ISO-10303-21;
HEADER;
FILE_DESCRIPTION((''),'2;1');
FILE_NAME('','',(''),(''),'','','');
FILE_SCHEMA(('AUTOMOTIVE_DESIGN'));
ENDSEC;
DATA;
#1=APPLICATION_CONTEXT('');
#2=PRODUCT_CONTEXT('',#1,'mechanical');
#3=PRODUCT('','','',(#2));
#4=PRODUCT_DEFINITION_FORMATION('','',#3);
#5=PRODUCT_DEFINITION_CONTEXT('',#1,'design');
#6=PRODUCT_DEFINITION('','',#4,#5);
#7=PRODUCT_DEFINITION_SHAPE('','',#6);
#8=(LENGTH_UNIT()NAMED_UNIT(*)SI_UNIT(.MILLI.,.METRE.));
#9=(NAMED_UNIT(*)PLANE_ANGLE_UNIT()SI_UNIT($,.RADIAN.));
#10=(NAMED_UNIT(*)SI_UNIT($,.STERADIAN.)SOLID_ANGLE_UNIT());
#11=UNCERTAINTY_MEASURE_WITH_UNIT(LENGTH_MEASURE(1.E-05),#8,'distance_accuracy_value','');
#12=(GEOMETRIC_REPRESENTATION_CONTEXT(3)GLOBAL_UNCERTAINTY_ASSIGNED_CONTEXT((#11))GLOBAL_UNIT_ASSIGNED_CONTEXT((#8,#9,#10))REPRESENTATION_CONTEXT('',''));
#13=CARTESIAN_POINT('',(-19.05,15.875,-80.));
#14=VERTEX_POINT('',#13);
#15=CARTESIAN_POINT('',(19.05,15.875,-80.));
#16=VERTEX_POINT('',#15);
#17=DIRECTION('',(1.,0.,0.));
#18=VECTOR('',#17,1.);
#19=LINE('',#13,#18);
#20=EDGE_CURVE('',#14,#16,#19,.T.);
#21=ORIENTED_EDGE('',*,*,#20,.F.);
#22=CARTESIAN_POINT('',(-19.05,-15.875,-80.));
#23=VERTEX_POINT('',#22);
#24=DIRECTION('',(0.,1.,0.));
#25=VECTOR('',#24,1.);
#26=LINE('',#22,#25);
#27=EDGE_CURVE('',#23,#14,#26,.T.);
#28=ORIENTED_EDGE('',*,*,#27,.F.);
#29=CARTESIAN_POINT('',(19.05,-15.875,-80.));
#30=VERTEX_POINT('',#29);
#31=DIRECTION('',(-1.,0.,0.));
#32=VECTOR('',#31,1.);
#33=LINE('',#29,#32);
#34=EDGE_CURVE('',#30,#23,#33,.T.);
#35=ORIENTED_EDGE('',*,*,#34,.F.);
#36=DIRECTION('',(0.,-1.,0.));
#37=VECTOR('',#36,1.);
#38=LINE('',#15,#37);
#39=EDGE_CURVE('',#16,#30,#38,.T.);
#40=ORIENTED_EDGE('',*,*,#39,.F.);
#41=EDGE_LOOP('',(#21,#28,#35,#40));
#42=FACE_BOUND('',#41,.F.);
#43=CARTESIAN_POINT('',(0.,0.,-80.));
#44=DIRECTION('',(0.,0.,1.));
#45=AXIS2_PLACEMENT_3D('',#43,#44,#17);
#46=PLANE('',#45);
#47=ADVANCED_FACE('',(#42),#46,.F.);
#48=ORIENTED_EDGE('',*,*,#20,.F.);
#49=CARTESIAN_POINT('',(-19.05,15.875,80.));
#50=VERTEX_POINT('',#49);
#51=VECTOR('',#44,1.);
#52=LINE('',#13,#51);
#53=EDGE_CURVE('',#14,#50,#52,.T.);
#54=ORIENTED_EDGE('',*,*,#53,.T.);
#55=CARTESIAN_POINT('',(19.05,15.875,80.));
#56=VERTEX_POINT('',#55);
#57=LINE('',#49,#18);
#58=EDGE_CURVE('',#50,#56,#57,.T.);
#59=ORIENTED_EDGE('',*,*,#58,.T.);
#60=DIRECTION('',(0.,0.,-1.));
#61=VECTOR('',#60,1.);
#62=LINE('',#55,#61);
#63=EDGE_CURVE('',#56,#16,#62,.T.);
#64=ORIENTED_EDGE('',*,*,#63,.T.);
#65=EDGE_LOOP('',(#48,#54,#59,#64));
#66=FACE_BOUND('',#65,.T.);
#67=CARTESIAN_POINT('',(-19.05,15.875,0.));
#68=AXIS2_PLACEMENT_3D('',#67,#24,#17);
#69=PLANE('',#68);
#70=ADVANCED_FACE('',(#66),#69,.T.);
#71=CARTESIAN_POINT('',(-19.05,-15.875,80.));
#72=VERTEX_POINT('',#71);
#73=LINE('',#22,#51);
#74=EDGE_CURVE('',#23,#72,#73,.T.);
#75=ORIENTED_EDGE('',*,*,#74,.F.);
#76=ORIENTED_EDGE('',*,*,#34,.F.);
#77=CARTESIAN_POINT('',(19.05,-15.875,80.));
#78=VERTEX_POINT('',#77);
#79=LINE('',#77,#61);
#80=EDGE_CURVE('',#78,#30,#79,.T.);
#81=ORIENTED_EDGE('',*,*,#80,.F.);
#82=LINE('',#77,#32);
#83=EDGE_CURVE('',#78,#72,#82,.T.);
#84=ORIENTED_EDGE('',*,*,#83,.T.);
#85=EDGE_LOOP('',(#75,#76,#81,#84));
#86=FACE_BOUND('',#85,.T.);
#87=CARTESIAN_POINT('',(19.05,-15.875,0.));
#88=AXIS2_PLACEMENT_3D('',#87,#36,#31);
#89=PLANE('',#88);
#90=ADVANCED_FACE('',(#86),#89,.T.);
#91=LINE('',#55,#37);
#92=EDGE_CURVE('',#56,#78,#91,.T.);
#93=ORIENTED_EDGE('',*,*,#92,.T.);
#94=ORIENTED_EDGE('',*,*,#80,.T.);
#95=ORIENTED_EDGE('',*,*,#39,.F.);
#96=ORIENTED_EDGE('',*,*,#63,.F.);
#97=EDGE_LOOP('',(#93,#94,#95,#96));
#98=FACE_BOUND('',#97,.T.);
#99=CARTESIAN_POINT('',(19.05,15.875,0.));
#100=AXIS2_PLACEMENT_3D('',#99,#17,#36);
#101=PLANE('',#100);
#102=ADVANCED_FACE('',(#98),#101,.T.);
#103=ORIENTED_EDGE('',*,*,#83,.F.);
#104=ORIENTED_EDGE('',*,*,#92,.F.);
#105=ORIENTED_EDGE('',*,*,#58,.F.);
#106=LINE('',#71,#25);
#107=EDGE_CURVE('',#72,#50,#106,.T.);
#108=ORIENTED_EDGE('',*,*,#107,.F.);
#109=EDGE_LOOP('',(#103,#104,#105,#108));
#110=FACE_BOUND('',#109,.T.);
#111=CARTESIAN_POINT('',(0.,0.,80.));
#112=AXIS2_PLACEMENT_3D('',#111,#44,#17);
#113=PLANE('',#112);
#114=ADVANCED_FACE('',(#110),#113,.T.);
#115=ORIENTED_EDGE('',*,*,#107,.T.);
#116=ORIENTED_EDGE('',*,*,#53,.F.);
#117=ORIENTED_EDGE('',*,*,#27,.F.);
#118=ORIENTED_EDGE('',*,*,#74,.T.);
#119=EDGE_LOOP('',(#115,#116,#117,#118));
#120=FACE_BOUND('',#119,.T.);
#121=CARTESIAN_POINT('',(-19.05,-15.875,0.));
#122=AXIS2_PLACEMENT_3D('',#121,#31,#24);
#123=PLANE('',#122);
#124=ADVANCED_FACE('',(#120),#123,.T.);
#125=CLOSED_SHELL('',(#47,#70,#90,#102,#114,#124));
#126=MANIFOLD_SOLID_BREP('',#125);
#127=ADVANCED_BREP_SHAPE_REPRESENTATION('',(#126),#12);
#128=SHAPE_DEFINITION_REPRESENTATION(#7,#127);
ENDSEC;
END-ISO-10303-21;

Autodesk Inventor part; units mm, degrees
ref_plane "YZ Plane" through (0, 0, 0) normal (1, 0, 0) x (0, 1, 0)
ref_plane "XZ Plane" through (0, 0, 0) normal (0, 1, 0) x (-1, 0, 0)
ref_plane "XY Plane" through (0, 0, 0) normal (0, 0, 1) x (1, 0, 0)
sketch "Sketch1" plane through (0, 0, 0) normal (0, 0, 1) x (1, 0, 0)
  line L0 (-19.05, 15.875) -> (19.05, 15.875)
  line L1 (19.05, 15.875) -> (19.05, -15.875)
  line L2 (19.05, -15.875) -> (-19.05, -15.875)
  line L3 (-19.05, -15.875) -> (-19.05, 15.875)
  line L4 (-19.05, 15.875) -> (19.05, -15.875) construction
  line L5 (19.05, 15.875) -> (-19.05, -15.875) construction
  point P0 (0, 0)
  dimension "d0" = 38.1
  dimension "d1" = 31.75
extrude "Extrusion1" add sketch "Sketch1" along normal mid plane 160
properties part number "CNC-A- Y-axis support on X-axis"
